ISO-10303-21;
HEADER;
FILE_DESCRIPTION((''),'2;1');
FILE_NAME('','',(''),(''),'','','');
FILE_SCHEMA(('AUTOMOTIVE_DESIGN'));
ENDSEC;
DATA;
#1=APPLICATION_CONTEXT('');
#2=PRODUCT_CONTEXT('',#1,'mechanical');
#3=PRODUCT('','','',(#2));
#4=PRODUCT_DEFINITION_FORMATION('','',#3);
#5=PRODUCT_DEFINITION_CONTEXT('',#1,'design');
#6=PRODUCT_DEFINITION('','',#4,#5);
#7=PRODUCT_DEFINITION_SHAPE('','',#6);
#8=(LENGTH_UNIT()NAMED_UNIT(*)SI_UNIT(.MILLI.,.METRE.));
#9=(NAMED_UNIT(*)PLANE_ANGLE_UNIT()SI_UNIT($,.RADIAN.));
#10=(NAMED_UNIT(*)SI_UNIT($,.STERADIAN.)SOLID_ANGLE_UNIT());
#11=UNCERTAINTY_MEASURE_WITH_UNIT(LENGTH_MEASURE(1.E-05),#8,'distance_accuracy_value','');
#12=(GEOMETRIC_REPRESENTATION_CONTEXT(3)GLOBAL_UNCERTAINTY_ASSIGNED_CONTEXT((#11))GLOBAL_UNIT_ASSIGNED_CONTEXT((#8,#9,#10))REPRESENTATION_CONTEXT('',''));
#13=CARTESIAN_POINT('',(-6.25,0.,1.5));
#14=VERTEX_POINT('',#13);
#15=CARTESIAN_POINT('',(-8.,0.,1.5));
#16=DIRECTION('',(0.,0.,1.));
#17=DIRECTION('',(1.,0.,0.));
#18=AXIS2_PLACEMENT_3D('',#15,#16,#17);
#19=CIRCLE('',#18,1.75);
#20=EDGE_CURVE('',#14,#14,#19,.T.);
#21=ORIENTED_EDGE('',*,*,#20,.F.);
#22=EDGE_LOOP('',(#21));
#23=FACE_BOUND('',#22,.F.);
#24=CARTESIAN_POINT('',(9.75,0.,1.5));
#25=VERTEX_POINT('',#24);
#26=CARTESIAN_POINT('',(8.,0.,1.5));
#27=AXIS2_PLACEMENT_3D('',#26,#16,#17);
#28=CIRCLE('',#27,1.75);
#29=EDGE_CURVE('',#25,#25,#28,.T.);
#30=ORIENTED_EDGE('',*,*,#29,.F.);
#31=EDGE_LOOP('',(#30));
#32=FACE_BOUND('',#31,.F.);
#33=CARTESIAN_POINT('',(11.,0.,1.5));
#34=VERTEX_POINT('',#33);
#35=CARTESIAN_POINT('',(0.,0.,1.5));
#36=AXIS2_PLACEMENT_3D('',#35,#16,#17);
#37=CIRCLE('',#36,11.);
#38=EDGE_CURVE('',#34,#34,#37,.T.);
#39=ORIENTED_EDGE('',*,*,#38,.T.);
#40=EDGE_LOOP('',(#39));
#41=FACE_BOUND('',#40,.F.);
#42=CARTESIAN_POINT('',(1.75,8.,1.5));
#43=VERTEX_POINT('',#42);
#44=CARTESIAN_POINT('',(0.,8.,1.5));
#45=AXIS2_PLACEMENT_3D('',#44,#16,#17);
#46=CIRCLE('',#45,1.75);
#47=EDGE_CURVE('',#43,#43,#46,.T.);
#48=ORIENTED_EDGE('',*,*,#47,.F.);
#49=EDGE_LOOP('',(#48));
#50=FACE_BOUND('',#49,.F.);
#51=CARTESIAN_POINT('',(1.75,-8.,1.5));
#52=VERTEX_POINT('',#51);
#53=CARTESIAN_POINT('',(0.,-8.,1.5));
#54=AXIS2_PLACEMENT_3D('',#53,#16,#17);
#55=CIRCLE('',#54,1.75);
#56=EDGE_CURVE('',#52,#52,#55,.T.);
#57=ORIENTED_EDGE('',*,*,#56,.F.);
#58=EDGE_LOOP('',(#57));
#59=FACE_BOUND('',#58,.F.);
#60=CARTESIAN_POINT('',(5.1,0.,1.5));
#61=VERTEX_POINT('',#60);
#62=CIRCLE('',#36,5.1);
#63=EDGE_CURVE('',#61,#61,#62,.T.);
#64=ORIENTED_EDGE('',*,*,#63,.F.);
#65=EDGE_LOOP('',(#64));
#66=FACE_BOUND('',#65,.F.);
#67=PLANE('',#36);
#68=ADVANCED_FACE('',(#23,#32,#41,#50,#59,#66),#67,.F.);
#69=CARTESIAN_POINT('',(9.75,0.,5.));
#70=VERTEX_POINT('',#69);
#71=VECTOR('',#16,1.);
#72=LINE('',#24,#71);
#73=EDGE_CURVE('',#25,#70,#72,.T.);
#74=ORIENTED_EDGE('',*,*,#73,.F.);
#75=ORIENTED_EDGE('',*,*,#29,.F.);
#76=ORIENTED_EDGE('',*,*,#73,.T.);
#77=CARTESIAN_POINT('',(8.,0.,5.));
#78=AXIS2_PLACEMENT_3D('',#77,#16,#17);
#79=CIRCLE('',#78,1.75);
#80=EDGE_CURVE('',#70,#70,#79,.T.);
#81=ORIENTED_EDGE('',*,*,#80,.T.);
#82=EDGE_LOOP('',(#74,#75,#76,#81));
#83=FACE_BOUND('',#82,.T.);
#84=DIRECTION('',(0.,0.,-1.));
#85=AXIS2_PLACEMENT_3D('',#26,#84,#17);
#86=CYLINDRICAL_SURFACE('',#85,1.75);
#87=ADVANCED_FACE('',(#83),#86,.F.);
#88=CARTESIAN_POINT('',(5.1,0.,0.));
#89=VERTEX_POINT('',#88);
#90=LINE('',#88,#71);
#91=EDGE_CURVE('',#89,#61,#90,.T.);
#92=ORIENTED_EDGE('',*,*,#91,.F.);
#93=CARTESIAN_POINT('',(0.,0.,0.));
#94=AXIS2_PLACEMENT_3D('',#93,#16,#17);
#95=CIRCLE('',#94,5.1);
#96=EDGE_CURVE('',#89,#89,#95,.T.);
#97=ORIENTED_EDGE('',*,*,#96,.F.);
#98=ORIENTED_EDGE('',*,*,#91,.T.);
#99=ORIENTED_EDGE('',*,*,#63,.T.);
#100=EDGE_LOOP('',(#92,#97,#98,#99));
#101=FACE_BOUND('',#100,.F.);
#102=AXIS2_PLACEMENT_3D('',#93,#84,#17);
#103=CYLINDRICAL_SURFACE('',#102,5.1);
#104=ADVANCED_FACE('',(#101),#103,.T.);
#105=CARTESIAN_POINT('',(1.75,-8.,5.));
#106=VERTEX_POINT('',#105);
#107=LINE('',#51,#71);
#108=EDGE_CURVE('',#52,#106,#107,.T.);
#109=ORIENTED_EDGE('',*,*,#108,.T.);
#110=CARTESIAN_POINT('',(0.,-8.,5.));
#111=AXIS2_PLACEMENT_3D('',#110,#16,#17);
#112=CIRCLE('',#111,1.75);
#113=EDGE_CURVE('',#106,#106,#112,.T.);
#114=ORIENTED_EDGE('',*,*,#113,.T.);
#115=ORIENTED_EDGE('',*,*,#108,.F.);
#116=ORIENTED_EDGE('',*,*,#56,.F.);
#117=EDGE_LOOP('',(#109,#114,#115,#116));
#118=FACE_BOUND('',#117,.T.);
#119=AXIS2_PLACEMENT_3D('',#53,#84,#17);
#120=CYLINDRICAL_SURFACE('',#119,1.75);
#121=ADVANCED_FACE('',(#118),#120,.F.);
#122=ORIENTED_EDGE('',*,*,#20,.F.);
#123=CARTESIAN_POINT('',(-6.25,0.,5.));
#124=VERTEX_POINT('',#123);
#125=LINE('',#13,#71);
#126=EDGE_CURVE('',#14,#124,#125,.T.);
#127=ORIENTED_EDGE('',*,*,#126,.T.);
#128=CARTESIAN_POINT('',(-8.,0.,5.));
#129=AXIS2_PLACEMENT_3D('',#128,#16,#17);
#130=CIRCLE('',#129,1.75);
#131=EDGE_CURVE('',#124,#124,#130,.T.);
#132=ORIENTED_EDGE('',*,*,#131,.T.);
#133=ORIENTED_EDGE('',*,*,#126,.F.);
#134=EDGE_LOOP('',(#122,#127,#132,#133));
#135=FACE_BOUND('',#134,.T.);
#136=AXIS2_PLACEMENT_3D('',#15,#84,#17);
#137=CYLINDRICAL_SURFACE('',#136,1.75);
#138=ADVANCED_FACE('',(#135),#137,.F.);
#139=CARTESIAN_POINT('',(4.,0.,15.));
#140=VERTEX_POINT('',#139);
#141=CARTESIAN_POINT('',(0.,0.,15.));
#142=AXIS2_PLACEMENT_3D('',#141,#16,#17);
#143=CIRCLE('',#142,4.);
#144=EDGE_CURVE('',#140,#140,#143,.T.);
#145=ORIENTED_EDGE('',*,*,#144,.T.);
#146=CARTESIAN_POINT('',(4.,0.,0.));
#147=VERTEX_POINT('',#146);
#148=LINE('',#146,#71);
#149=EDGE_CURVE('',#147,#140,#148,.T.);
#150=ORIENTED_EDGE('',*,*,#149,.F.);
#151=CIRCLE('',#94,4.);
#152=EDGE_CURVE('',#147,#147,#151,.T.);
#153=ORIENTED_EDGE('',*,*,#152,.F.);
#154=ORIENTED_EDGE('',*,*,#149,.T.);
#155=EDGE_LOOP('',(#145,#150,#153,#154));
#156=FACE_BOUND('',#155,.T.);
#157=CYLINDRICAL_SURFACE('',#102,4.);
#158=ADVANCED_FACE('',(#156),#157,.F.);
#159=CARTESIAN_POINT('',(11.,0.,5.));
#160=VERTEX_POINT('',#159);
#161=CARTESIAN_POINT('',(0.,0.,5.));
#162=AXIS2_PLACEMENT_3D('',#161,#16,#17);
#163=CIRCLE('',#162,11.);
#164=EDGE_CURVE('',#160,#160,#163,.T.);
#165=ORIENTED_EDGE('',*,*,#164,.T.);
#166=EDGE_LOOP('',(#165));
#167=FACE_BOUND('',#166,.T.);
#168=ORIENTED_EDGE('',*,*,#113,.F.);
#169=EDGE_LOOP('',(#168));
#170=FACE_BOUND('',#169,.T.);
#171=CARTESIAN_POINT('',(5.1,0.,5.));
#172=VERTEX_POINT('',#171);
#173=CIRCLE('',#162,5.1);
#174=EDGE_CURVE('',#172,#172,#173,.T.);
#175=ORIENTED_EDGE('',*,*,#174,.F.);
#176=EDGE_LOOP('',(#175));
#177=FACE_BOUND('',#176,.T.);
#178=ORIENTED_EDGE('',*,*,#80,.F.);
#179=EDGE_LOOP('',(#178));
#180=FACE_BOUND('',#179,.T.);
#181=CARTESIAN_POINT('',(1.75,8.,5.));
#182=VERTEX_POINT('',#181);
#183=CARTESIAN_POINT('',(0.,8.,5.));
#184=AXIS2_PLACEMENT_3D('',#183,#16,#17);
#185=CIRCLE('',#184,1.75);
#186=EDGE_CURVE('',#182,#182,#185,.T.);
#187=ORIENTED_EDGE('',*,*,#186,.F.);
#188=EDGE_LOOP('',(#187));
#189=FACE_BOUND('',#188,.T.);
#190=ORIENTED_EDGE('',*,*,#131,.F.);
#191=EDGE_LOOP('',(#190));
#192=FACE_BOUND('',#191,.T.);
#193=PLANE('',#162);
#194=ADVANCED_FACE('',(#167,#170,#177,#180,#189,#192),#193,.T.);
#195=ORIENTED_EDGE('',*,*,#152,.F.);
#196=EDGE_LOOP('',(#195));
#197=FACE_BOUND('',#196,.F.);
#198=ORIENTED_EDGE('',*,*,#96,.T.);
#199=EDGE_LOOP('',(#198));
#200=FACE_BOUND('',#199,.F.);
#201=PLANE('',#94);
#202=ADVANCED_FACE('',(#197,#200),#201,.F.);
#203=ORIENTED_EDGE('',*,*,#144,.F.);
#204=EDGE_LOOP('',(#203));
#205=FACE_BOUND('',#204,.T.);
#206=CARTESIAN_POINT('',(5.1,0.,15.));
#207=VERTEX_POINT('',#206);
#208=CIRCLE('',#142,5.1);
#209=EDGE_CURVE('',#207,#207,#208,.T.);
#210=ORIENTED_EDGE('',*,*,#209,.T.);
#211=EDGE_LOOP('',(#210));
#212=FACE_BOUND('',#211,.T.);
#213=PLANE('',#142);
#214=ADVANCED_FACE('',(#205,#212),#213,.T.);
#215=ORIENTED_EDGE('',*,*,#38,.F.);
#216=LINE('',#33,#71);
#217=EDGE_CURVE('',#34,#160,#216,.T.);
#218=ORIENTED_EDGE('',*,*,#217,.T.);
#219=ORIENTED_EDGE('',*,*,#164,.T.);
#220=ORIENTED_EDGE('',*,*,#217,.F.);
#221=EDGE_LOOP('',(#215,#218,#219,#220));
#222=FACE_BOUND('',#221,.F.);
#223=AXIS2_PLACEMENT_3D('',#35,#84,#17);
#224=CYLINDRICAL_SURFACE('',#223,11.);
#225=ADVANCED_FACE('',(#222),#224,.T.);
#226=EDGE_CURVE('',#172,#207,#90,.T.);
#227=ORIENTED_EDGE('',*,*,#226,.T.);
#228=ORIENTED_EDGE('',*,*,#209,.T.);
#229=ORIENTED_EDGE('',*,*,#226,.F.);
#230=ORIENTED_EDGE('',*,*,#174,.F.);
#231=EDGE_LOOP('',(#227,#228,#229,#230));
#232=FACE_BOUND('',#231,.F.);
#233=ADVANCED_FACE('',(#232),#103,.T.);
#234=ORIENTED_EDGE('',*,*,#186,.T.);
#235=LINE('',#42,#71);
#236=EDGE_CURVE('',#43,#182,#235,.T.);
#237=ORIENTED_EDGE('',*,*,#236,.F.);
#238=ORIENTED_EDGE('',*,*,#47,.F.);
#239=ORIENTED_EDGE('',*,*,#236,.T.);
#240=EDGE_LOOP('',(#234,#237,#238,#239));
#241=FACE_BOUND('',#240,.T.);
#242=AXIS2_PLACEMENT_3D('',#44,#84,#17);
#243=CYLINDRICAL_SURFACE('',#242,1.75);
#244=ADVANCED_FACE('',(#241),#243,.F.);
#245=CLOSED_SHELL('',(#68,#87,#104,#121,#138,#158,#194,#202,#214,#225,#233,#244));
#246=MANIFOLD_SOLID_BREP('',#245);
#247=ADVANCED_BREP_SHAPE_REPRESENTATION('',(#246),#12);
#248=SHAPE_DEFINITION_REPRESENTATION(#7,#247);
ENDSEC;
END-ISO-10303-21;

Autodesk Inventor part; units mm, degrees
ref_plane "YZ Plane" through (0, 0, 0) normal (1, 0, 0) x (0, 1, 0)
ref_plane "XZ Plane" through (0, 0, 0) normal (0, 1, 0) x (-1, 0, 0)
sketch "Sketch1" plane through (0, 0, 0) normal (0, 0, 1) x (1, 0, 0)
  circle A0 centre (0, 0) radius 5.1
  circle A1 centre (0, 0) radius 4
  dimension "d0" = 10.2
  dimension "d1" = 8
extrude "Extrusion1" add sketch "Sketch1" along normal blind 15
ref_plane "Work Plane1" through (0, 0, 1.5) normal (0, 0, 1) x (1, 0, 0)
sketch "Sketch2" plane through (0, 0, 1.5) normal (0, 0, 1) x (1, 0, 0)
  circle A0 centre (0, 0) radius 4 projected
  circle A1 centre (0, 0) radius 5.1 projected
  circle A2 centre (0, 0) radius 11
  circle A3 centre (0, 0) radius 8 construction
  circle A4 centre (0, -8) radius 1.75
  circle A5 centre (8, 0) radius 1.75
  circle A6 centre (0, 8) radius 1.75
  circle A7 centre (-8, 0) radius 1.75
  dimension "d6" = 16
  dimension "d5" = 22
  dimension "furos" = 3.5
  dimension "d10" = 360
extrude "Extrusion2" add sketch "Sketch2" along normal blind 3.5 contours A2
sketch "Sketch3" plane through (0, 0, 0) normal (1, 0, 0) x (0, 1, 0)
  line L0 (11, 5) -> (11, 1.5) projected
  line L1 (11, 1.5) -> (9.75, 1.5) projected
  line L2 (9.75, 1.5) -> (9.75, 5) projected
  line L3 (9.75, 5) -> (11, 5) projected
  line L4 (-11, 1.5) -> (-11, 5) projected
  line L5 (-11, 5) -> (-9.75, 5) projected
  line L6 (-9.75, 5) -> (-9.75, 1.5) projected
  line L7 (-9.75, 1.5) -> (-11, 1.5) projected
  line L8 (-4, 15) -> (-4, 0) projected
  line L9 (-4, 0) -> (-5.1, 0) projected
  line L10 (-5.1, 0) -> (-5.1, 1.5) projected
  line L11 (-5.1, 1.5) -> (-6.25, 1.5) projected
  line L12 (-6.25, 1.5) -> (-6.25, 5) projected
  line L13 (-6.25, 5) -> (-5.1, 5) projected
  line L14 (-5.1, 5) -> (-5.1, 15) projected
  line L15 (-5.1, 15) -> (-4, 15) projected
  line L16 (4, 0) -> (4, 15) projected
  line L17 (4, 15) -> (5.1, 15) projected
  line L18 (5.1, 15) -> (5.1, 5) projected
  line L19 (5.1, 5) -> (6.25, 5) projected
  line L20 (6.25, 5) -> (6.25, 1.5) projected
  line L21 (6.25, 1.5) -> (5.1, 1.5) projected
  line L22 (5.1, 1.5) -> (5.1, 0) projected
  line L23 (5.1, 0) -> (4, 0) projected
  point P0 (0, 0)
properties part number "Porca_T8"
